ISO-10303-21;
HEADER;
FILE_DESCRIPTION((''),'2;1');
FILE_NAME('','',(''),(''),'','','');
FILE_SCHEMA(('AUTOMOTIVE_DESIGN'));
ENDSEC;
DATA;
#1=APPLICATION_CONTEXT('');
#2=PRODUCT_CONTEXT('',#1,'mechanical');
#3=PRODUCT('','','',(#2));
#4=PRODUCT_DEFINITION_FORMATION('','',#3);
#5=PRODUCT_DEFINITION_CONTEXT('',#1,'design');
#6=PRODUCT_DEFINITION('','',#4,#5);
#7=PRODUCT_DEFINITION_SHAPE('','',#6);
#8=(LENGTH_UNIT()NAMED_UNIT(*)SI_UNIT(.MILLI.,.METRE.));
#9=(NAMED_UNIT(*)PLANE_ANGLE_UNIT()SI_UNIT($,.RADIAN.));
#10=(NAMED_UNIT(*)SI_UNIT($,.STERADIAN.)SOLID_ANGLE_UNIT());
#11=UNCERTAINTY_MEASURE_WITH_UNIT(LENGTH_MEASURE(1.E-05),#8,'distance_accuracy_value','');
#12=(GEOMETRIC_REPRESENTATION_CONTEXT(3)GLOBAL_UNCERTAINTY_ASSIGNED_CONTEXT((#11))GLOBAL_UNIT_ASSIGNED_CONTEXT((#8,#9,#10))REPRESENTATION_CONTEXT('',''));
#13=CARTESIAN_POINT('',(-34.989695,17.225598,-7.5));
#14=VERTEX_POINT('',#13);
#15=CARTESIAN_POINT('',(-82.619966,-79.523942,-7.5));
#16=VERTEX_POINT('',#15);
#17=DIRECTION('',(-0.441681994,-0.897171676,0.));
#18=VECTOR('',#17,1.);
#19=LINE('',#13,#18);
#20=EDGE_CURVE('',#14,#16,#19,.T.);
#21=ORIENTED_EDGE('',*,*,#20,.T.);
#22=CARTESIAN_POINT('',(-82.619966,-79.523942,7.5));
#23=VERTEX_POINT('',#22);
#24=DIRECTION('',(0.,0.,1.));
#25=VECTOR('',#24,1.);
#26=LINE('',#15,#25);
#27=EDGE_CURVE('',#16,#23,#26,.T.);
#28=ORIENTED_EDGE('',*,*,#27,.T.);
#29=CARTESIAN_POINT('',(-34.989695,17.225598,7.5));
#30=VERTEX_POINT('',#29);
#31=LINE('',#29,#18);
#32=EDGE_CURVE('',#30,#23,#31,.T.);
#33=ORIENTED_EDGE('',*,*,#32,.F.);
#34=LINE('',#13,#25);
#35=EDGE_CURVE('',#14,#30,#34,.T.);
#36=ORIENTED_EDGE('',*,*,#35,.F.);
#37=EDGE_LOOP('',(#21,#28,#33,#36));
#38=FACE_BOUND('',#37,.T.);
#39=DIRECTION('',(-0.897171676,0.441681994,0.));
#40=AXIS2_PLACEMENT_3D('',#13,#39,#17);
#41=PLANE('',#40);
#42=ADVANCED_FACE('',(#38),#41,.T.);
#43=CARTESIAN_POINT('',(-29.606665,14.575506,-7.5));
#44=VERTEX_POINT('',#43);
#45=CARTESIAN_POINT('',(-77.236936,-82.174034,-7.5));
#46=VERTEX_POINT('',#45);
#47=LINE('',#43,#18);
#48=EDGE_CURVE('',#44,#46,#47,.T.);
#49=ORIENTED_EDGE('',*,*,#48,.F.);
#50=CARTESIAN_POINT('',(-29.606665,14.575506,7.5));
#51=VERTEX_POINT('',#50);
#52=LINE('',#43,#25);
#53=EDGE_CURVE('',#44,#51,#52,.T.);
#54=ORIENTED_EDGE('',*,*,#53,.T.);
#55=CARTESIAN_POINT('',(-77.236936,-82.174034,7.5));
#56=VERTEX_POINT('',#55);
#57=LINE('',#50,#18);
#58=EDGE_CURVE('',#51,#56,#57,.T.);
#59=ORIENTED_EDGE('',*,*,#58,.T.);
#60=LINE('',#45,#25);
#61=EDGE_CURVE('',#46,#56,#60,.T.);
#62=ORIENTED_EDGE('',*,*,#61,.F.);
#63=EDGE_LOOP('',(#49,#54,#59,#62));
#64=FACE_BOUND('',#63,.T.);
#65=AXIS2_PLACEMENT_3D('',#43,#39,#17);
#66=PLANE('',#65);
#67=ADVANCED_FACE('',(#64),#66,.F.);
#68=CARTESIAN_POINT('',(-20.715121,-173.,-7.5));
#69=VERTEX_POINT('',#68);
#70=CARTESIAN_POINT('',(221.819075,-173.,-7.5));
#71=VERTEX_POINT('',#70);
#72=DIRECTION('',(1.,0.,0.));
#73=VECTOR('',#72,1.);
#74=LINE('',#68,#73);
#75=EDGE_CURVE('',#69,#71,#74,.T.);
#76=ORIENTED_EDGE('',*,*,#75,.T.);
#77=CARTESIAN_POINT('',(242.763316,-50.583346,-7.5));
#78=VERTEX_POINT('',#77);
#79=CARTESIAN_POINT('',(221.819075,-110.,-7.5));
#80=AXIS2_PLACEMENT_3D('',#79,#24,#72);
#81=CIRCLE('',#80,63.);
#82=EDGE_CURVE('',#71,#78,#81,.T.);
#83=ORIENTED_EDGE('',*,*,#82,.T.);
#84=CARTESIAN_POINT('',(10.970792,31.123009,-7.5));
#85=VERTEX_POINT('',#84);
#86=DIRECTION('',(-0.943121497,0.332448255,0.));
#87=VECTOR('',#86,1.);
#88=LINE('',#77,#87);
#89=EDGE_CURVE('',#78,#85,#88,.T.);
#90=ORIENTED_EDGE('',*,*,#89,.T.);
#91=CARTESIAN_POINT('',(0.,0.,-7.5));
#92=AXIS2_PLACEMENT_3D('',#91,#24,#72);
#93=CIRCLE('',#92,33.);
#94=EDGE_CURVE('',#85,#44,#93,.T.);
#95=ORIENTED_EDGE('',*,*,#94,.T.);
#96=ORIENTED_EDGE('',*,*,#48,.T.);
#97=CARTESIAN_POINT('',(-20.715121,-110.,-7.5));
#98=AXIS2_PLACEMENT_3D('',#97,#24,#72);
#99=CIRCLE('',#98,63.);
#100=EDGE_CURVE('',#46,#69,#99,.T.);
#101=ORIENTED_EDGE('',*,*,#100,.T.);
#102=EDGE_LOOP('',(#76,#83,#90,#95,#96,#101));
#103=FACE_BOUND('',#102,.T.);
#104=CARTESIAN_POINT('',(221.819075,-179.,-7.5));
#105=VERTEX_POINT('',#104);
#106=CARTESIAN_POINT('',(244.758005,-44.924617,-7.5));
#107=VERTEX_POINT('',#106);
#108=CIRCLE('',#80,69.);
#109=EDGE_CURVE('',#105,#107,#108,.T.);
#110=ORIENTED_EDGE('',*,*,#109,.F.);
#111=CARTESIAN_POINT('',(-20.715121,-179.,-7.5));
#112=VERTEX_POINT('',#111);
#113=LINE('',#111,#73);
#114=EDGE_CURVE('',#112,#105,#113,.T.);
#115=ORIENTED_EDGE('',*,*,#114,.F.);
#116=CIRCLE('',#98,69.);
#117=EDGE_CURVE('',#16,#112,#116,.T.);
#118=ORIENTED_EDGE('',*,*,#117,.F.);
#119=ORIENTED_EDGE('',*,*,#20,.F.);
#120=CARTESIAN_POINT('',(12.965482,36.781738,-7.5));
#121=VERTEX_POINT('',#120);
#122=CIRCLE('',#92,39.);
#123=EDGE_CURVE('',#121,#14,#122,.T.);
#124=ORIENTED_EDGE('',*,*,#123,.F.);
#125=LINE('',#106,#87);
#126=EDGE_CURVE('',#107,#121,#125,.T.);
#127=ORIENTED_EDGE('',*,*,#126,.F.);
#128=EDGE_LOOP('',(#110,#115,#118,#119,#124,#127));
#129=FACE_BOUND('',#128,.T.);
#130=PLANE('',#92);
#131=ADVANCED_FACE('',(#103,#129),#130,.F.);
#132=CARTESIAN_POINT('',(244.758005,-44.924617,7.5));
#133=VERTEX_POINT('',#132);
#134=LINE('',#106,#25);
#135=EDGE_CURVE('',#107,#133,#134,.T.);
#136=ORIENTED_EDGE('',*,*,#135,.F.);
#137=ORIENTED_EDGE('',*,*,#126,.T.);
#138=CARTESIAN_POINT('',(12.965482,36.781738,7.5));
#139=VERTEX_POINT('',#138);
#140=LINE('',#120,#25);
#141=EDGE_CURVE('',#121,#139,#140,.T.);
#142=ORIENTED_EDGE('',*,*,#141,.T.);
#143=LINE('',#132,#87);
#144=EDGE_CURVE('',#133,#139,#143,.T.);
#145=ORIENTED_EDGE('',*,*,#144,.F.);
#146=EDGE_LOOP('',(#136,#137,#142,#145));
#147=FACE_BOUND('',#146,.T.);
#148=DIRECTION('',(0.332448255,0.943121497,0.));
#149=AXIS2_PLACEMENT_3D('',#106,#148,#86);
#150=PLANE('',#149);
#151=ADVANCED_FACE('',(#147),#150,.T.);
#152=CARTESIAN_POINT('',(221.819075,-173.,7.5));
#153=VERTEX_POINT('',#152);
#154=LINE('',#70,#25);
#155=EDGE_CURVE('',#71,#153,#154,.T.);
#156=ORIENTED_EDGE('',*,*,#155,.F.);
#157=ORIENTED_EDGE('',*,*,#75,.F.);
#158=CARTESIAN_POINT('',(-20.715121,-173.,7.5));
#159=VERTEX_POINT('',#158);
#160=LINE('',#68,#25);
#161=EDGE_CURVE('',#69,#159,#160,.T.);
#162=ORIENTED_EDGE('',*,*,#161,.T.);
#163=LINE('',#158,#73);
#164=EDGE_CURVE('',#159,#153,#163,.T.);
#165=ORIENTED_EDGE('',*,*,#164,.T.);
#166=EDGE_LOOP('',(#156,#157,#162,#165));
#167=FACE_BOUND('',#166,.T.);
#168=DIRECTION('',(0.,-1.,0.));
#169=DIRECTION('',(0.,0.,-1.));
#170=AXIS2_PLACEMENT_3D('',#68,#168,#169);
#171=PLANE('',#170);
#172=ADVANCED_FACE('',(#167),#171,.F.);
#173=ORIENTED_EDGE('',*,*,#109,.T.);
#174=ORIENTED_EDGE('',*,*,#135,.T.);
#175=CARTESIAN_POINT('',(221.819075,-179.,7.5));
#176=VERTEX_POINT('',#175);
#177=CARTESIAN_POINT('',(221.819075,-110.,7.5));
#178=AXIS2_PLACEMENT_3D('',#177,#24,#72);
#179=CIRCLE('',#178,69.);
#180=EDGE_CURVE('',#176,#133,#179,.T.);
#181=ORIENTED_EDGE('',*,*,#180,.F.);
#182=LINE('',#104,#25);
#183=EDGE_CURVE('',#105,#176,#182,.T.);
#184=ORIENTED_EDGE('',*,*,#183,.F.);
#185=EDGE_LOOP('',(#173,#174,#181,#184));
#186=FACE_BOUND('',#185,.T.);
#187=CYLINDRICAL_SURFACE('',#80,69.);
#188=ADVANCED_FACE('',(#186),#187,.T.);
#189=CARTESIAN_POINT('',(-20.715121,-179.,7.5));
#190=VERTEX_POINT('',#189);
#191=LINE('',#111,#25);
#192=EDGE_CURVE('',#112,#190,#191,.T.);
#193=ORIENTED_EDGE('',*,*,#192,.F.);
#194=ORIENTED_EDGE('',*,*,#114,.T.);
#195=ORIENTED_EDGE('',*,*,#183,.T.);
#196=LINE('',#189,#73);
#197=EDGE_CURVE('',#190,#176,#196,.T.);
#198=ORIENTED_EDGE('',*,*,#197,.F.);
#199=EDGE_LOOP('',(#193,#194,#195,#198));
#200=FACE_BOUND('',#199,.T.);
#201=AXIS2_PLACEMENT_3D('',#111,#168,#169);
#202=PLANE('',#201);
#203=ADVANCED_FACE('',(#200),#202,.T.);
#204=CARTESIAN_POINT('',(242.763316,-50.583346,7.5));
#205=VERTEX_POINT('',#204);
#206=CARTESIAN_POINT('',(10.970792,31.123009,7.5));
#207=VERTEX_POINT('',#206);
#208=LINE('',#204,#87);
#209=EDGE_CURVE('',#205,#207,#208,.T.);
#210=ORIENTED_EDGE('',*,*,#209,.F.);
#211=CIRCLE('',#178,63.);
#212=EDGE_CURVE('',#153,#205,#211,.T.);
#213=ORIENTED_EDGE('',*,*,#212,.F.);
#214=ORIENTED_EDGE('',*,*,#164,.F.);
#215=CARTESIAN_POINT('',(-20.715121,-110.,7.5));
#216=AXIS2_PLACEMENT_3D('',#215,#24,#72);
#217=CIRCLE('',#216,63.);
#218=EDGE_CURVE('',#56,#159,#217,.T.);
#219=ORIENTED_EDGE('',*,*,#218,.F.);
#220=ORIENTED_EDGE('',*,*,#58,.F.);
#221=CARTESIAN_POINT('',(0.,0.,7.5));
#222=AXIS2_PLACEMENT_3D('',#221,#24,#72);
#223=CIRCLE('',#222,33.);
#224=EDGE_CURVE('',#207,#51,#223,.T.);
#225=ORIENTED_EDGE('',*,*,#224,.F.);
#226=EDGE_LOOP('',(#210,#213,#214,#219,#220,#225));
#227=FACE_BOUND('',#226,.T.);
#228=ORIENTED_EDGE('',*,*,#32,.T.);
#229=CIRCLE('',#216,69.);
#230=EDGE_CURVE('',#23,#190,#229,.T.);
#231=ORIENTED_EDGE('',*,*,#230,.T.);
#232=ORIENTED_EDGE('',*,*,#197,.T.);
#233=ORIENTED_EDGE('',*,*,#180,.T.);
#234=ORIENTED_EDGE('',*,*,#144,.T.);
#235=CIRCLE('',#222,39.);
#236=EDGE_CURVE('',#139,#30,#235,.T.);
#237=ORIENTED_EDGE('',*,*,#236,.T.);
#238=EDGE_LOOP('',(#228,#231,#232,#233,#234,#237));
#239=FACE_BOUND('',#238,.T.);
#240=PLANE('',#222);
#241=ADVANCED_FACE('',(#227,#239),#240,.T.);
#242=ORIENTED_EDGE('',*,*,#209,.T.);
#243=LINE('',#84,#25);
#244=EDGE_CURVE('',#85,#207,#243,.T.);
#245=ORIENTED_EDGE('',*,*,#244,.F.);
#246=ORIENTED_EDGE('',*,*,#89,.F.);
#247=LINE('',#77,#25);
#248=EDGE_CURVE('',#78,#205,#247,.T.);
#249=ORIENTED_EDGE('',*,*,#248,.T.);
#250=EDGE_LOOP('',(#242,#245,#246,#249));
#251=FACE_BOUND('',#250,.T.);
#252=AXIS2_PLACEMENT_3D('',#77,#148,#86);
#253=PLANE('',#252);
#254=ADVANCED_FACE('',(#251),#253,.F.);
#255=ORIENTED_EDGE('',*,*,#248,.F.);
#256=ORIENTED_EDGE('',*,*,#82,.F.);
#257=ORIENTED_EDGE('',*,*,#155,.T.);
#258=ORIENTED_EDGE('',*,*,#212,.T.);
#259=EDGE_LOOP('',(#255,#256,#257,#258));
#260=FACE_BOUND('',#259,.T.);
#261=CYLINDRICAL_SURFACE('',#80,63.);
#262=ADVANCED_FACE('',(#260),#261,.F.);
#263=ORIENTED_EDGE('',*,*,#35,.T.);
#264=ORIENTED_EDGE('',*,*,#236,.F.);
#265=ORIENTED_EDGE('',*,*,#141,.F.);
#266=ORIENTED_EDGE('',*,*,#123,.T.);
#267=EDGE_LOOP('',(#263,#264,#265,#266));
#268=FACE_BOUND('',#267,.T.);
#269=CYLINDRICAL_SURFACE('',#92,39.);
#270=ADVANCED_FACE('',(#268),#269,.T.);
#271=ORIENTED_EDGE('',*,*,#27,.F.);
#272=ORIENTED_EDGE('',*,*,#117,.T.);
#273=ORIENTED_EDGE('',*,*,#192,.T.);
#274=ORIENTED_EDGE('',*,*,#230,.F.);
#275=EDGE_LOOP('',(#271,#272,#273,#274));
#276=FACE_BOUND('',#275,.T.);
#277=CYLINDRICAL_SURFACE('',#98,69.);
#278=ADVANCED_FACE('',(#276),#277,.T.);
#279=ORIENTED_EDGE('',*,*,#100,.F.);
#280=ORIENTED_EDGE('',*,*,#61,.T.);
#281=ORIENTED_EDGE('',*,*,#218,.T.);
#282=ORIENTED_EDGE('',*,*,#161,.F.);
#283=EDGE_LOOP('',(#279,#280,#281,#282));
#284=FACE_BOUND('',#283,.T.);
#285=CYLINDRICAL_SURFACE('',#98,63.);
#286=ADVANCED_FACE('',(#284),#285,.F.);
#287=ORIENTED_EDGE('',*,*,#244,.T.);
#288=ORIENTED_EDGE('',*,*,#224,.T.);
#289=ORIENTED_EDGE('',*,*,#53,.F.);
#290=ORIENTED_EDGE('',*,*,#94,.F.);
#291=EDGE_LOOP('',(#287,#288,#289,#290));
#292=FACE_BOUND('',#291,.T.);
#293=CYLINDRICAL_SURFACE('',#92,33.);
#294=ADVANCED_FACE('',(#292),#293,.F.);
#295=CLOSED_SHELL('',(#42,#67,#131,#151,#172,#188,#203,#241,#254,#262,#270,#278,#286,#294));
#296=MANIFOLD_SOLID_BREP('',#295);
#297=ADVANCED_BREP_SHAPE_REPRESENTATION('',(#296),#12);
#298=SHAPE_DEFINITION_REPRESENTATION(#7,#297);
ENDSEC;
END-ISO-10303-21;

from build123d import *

# Parameters (mm, degrees)
EXTRUDE_THIN1_DEPTH      = 7.5
EXTRUDE_THIN1_DEPTH_BACK = 7.5


with BuildPart() as part:
    # Sketch2 → Extrude-Thin1 (new, two sides)
    with BuildSketch(Plane.XY) as extrude_thin1_sk:
        with BuildLine():
            Line((244.758005067, -44.924616728), (12.965481959, 36.781738371))
            ThreePointArc((12.965481959, 36.781738371), (-14.726749562, 36.112641102), (-34.989695357, 17.225597779))
            Line((-34.989695357, 17.225597779), (-82.619966134, -79.523942391))
            ThreePointArc((-82.619966134, -79.523942391), (-79.297745807, -146.456494792), (-20.715120503, -179))
            Line((-20.715120503, -179), (221.819075448, -179))
            ThreePointArc((221.819075448, -179), (289.830844451, -121.636119505), (244.758005067, -44.924616728))
        make_face()
        with BuildLine():
            Line((242.763315535, -50.583345709), (10.970792426, 31.123009391))
            ThreePointArc((10.970792426, 31.123009391), (-12.461095783, 30.556850163), (-29.606665302, 14.575505813))
            Line((-29.606665302, 14.575505813), (-77.236936079, -82.174034357))
            ThreePointArc((-77.236936079, -82.174034357), (-74.203604476, -143.28636481), (-20.715120503, -173))
            Line((-20.715120503, -173), (221.819075448, -173))
            ThreePointArc((221.819075448, -173), (283.916777581, -120.624283026), (242.763315535, -50.583345709))
        make_face(mode=Mode.SUBTRACT)
    extrude(amount=EXTRUDE_THIN1_DEPTH)
    extrude(extrude_thin1_sk.sketch, amount=-EXTRUDE_THIN1_DEPTH_BACK)


solid = part.part
